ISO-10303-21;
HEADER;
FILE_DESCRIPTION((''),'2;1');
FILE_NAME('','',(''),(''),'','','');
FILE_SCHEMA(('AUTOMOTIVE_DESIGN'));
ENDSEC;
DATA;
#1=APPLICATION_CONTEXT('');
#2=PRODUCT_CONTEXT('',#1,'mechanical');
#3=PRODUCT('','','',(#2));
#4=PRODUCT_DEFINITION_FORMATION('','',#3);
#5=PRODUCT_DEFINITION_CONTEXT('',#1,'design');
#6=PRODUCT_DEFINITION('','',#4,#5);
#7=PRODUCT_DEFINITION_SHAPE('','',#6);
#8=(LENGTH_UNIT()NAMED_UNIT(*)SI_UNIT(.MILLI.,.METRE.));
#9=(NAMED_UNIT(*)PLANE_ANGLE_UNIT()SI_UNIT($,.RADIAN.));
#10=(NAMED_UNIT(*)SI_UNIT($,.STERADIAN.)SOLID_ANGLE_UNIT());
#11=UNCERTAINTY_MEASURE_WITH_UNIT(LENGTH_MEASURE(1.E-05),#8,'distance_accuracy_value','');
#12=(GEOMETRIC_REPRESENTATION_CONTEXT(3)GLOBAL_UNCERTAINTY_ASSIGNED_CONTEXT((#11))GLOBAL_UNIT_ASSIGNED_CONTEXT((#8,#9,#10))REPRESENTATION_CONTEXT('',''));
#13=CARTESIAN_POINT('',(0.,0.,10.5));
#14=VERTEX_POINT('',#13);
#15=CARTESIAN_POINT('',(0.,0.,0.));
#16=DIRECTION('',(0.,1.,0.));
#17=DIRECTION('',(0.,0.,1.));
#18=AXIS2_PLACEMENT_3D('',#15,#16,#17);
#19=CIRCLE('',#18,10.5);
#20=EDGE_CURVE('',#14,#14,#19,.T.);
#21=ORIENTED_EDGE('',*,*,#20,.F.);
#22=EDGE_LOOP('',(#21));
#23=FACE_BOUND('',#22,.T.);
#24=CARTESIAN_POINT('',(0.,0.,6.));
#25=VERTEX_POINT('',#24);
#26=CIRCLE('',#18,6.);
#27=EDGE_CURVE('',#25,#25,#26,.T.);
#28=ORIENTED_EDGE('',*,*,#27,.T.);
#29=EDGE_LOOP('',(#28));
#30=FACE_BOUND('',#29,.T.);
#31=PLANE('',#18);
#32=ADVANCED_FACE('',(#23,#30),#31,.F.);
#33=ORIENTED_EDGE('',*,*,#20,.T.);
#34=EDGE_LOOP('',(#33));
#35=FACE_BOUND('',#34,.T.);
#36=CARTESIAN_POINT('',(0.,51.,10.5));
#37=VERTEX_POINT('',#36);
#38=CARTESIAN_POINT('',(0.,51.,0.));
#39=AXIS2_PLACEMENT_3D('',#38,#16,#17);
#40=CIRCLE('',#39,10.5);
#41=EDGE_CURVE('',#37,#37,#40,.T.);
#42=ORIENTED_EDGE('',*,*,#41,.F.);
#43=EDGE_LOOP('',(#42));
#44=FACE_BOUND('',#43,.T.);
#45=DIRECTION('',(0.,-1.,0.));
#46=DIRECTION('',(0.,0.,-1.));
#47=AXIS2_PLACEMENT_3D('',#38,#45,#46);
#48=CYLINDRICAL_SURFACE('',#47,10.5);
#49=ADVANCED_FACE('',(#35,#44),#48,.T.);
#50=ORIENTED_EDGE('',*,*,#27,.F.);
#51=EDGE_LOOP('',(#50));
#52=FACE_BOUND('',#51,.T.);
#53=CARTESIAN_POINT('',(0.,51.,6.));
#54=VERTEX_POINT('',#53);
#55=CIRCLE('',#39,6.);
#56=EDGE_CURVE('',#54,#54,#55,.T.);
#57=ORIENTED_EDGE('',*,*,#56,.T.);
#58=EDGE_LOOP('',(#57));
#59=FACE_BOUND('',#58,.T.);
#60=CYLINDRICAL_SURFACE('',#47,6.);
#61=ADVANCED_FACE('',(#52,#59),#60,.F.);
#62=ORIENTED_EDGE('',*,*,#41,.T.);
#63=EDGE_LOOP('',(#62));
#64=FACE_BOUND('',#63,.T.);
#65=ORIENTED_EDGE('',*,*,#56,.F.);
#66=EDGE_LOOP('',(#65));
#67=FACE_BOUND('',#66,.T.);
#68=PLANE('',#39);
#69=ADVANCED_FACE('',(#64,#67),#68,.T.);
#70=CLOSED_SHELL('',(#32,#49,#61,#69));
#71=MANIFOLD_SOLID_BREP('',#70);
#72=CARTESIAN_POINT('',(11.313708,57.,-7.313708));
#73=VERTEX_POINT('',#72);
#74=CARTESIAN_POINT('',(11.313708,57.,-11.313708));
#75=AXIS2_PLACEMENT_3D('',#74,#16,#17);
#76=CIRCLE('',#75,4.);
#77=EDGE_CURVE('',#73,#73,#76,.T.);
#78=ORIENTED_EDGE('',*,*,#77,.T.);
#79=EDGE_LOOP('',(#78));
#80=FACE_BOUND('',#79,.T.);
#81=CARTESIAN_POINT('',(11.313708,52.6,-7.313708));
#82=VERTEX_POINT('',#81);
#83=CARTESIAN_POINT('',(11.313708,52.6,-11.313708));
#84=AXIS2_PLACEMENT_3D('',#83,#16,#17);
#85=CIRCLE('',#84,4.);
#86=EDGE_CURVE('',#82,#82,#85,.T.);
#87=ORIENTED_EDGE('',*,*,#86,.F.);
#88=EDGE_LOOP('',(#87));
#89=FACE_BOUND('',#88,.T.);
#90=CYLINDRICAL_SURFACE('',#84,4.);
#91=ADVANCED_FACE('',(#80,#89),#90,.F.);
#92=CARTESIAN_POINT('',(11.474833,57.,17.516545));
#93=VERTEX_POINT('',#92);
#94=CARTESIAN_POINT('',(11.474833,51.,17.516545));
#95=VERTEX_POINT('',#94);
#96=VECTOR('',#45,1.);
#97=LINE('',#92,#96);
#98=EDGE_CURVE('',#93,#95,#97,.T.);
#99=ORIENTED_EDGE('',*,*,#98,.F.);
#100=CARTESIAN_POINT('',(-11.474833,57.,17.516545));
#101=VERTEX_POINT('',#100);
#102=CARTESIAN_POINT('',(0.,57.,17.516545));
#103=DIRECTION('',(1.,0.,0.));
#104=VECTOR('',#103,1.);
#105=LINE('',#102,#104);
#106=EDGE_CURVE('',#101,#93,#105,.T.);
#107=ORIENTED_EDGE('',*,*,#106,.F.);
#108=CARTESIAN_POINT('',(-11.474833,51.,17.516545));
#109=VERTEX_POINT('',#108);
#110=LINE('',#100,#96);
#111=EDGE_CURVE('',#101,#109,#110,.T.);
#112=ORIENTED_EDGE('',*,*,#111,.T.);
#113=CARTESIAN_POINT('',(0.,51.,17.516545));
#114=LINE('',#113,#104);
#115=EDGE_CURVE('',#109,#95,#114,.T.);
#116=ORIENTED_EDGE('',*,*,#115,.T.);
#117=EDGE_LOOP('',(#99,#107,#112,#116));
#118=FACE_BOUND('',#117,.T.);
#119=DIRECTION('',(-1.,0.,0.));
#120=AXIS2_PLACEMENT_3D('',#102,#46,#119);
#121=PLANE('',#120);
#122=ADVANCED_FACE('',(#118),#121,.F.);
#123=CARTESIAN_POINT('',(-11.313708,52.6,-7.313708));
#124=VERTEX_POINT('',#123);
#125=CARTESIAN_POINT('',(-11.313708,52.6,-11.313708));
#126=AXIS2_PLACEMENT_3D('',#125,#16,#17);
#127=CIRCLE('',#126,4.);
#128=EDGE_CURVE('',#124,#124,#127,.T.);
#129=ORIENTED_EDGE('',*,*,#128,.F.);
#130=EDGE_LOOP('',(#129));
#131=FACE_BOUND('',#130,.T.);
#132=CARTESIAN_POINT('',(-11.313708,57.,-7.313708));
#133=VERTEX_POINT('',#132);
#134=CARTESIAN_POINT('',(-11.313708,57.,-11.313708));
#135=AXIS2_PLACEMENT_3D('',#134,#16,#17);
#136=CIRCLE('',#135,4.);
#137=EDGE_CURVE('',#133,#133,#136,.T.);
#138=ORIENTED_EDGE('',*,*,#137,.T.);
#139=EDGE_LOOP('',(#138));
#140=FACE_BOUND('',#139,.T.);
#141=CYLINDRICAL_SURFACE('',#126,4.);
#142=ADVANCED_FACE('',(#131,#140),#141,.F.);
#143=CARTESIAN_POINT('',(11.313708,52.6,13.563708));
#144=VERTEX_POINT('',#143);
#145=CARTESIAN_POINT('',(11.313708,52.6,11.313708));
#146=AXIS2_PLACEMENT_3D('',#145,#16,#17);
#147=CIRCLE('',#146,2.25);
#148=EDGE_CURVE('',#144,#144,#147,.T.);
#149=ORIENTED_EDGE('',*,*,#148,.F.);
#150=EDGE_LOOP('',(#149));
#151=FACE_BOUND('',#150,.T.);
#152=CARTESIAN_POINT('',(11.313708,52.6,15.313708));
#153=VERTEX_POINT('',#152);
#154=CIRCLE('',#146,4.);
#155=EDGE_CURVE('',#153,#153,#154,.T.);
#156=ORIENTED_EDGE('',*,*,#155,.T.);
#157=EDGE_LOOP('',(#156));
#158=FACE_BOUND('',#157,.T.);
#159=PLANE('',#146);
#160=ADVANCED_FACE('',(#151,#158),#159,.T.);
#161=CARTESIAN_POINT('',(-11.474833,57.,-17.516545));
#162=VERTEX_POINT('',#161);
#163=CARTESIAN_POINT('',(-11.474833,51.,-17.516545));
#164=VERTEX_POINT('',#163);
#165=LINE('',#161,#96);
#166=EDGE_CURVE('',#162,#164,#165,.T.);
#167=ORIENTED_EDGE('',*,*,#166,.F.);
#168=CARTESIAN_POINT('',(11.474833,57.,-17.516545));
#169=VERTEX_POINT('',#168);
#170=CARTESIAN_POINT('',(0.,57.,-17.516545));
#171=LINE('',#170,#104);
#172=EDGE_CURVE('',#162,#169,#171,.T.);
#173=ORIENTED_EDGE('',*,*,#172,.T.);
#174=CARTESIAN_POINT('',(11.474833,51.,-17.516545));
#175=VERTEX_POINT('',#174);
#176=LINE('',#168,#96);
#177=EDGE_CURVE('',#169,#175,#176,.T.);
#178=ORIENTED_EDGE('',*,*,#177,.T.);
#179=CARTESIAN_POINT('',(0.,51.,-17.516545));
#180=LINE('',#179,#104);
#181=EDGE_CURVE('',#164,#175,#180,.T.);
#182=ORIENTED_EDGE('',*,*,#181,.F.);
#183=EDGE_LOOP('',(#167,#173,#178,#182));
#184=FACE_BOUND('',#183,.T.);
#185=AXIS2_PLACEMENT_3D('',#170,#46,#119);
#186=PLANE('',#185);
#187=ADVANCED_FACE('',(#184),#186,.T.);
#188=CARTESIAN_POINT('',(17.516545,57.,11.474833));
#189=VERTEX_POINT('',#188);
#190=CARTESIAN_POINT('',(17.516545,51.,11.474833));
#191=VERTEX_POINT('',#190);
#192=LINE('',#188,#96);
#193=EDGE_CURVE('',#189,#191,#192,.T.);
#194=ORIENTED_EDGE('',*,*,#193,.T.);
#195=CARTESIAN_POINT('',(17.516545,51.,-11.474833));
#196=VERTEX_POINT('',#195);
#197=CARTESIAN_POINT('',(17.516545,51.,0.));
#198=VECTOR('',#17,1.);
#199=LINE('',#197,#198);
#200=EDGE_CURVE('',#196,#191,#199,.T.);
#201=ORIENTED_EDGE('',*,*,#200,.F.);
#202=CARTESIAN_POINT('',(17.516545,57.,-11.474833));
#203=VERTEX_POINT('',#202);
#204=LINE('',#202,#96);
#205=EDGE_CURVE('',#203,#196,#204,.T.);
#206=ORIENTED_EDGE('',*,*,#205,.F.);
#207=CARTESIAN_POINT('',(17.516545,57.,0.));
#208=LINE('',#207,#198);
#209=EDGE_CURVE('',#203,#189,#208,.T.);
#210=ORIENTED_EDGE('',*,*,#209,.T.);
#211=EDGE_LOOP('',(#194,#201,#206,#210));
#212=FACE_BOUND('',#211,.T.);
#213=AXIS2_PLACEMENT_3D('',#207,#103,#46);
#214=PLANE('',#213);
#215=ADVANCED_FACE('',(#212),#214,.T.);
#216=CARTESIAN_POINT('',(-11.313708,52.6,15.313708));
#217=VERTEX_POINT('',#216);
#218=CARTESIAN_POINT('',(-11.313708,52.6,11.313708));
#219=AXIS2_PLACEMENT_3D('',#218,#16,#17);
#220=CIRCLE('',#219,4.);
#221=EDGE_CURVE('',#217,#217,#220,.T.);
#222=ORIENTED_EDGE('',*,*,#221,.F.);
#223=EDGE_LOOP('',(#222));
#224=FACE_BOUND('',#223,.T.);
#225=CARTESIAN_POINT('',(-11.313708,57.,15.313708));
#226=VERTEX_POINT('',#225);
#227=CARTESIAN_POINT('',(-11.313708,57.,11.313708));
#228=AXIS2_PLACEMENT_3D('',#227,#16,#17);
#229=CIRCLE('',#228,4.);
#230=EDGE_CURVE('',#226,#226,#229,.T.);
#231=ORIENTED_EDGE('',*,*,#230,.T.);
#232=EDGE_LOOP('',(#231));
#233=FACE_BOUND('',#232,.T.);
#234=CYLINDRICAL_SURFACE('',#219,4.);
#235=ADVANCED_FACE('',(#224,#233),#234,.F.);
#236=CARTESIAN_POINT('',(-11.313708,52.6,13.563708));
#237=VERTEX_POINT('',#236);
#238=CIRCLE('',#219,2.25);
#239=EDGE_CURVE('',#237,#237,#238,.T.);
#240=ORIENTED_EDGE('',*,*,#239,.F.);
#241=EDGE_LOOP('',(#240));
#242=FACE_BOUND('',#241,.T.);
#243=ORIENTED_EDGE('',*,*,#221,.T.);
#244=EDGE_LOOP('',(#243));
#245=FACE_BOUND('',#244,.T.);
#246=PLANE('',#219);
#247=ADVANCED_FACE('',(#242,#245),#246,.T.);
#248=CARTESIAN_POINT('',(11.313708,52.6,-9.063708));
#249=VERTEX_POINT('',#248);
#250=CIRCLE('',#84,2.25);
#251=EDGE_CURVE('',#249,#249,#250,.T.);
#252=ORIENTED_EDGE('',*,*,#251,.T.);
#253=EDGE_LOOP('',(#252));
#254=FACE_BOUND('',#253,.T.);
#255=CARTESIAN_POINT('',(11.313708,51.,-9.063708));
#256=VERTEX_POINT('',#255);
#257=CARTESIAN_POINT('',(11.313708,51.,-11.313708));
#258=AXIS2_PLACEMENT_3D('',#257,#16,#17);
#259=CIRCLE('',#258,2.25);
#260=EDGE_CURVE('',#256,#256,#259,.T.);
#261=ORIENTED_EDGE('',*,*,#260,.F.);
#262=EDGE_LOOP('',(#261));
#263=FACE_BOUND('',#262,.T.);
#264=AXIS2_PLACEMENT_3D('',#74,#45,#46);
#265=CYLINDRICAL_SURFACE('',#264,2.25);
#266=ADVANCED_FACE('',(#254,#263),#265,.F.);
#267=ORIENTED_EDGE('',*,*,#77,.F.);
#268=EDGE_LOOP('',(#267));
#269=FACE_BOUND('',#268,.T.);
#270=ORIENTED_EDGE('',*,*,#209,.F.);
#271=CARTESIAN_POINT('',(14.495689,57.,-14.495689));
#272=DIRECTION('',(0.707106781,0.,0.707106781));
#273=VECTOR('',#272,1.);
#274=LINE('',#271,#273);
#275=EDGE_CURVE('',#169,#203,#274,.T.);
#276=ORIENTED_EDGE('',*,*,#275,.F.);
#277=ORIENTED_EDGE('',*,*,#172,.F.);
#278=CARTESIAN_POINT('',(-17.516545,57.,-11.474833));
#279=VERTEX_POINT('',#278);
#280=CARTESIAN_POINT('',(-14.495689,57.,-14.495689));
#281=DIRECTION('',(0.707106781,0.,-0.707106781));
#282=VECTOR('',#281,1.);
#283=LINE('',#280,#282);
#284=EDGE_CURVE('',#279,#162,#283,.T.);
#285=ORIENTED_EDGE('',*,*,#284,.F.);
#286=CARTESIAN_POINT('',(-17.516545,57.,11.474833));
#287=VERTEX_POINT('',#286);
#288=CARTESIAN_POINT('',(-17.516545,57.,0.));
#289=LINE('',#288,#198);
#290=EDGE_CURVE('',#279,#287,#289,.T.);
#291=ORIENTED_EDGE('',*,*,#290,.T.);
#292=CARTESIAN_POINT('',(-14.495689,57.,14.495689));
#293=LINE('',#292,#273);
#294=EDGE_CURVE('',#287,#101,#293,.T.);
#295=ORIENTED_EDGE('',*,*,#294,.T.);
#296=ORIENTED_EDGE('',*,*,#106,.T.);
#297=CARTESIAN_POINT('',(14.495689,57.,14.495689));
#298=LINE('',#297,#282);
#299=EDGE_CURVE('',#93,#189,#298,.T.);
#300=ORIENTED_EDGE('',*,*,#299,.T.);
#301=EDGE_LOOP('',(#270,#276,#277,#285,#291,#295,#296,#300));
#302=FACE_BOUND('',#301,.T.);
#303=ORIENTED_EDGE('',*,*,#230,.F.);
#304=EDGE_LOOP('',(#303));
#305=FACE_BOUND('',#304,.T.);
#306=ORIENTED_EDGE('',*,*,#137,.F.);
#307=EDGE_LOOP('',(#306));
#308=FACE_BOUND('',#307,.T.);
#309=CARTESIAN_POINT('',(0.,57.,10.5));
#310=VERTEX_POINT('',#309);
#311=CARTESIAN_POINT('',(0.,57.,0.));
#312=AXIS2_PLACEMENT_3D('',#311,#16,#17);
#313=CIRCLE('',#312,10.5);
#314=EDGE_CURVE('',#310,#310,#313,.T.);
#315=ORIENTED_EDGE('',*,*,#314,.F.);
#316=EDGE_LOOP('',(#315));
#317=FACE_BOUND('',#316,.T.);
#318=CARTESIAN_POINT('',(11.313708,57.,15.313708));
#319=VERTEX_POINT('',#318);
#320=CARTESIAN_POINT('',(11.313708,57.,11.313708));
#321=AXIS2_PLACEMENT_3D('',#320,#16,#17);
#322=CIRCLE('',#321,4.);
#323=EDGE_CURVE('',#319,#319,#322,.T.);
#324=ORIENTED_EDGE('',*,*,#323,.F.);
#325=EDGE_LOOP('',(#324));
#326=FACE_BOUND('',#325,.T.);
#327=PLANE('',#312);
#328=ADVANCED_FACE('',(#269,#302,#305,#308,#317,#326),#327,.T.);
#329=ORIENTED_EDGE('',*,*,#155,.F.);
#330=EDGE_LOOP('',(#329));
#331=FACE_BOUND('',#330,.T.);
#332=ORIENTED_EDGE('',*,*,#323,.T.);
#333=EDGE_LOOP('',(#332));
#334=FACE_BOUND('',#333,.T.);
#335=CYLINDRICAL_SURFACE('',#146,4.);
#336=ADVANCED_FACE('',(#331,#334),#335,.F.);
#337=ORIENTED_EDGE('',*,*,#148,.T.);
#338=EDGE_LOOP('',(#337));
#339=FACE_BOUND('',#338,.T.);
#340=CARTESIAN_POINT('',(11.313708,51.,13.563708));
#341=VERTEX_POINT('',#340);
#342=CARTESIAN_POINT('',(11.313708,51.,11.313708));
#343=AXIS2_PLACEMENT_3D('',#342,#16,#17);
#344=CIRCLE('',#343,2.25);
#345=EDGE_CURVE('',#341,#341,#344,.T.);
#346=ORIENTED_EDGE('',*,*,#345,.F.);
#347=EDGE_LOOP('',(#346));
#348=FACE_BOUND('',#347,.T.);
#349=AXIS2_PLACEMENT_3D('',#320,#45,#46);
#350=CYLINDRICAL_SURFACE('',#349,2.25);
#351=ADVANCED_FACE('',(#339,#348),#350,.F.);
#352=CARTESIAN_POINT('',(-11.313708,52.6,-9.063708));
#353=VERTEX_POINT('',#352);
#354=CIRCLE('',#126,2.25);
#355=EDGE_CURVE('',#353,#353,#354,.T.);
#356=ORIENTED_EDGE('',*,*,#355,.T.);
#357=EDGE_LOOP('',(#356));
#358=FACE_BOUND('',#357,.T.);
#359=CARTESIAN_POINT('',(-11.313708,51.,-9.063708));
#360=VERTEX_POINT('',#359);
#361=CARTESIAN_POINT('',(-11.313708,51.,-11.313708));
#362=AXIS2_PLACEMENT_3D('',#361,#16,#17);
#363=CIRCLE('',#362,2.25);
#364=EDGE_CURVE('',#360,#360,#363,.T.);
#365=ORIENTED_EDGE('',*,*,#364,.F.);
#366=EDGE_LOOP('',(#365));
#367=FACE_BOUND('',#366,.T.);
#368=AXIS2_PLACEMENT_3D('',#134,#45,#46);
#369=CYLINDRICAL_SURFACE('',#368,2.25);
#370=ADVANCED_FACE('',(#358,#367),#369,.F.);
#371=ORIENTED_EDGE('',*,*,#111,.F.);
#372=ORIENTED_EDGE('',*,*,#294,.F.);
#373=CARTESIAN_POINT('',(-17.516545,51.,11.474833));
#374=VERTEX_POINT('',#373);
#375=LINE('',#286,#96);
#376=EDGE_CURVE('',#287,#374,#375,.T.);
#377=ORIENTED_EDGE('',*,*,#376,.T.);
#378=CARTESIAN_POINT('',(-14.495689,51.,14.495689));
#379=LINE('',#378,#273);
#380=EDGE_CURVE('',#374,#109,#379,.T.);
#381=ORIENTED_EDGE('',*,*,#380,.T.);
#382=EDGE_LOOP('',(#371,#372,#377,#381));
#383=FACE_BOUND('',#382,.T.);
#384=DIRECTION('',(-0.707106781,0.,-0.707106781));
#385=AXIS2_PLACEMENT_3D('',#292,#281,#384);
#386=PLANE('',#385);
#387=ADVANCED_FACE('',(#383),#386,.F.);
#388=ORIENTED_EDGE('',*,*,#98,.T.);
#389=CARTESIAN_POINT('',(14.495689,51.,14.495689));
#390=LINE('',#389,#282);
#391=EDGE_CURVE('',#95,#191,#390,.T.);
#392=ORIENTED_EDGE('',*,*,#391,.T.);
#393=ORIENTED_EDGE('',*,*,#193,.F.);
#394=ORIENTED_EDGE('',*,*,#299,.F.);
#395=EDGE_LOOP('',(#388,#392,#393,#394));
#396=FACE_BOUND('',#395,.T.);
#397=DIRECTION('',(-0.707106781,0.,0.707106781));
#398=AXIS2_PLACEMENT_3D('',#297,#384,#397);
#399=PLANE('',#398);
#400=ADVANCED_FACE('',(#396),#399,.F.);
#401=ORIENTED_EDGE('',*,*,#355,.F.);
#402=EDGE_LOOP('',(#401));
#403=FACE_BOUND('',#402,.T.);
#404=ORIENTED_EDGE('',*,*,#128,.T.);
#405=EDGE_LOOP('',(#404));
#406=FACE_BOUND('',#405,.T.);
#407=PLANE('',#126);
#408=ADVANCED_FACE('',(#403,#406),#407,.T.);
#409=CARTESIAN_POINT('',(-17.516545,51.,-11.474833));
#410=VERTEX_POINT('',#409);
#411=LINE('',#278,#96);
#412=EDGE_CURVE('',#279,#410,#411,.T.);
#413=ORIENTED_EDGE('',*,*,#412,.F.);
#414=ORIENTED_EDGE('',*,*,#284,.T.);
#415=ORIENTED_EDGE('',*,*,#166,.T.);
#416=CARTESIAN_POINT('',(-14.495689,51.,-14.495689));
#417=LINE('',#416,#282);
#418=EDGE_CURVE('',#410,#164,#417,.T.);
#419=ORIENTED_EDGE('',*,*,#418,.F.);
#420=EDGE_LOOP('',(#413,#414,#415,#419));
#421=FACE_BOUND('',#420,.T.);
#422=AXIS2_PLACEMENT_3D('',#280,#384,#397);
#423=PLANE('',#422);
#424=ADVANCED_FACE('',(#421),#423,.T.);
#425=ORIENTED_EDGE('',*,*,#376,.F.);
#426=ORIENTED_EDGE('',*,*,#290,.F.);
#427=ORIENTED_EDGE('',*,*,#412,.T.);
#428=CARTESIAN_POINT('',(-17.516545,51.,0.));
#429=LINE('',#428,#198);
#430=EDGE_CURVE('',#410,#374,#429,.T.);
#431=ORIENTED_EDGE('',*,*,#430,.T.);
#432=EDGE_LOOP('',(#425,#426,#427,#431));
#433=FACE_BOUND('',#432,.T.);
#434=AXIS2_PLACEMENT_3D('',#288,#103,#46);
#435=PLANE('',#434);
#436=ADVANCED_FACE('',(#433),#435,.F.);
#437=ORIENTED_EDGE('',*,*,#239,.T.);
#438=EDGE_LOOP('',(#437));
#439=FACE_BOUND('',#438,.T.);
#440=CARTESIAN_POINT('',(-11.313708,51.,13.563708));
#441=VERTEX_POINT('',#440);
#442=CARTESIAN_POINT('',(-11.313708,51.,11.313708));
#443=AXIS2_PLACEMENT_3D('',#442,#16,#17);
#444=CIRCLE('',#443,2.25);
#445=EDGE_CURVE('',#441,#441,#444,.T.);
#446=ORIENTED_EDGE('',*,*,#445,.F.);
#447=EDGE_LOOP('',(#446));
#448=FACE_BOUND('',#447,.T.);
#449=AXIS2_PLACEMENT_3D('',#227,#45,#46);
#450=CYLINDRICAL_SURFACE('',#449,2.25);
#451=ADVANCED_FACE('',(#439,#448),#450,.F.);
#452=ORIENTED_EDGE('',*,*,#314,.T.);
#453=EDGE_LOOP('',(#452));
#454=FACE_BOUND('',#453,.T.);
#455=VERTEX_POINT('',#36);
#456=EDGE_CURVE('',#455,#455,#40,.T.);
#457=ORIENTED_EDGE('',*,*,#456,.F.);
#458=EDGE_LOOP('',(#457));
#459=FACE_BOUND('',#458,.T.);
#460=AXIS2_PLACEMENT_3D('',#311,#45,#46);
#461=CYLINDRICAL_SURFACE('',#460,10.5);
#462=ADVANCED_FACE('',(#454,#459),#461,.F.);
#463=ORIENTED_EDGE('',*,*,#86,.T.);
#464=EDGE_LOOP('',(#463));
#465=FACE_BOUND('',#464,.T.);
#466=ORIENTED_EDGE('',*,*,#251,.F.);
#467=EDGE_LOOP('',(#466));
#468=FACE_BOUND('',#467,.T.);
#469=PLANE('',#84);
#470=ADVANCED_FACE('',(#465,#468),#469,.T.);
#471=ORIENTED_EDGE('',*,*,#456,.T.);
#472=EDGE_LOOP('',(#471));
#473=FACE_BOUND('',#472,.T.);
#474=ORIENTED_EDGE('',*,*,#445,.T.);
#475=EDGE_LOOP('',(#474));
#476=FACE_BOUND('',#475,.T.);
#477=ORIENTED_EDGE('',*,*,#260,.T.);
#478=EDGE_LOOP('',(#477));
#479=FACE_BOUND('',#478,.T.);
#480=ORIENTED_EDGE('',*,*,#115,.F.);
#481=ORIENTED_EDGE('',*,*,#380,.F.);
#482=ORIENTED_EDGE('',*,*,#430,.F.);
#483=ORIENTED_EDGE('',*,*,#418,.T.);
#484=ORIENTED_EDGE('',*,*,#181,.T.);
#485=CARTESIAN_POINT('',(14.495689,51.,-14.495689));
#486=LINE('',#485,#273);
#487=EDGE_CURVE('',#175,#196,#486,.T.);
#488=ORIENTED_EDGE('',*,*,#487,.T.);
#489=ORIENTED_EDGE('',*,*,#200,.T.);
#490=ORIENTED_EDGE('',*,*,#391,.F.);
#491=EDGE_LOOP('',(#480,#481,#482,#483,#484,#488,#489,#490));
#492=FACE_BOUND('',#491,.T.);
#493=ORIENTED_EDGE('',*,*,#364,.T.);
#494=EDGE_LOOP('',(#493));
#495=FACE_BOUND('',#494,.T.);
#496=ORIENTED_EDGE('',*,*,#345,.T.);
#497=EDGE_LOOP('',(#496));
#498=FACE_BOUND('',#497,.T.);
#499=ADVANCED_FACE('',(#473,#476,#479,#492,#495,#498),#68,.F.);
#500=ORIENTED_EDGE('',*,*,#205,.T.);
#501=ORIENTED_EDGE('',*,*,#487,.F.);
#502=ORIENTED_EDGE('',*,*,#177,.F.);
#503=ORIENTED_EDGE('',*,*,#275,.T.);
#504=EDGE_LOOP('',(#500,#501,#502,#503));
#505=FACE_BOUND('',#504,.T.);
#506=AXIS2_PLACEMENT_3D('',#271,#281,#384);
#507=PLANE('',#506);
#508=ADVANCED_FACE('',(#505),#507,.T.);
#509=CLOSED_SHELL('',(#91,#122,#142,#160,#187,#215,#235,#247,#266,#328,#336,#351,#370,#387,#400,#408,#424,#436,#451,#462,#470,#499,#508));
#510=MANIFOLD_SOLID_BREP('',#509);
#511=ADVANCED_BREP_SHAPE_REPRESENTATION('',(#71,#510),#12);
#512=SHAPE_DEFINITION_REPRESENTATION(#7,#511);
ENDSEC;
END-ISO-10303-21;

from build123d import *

# Parameters (mm, degrees)
SKETCH1_R           = 10.5
SKETCH1_R_2         = 6
BOSS_EXTRUDE1_DEPTH = 51
SKETCH2_R           = 2.25
SKETCH2_R_2         = 10.5
BOSS_EXTRUDE2_DEPTH = 6
SKETCH3_R           = 4
CUT_EXTRUDE1_DEPTH  = 4.4


with BuildPart() as part:
    # Sketch1 → Boss-Extrude1 (new body)
    with BuildSketch(Plane(origin=(0, 0, 0), x_dir=(1, 0, 0), z_dir=(0, 1, 0))):
        with Locations(Location((0, 0, 0), (0, 0, 270))):
            Circle(SKETCH1_R)
        with Locations(Location((0, 0, 0), (0, 0, 270))):
            Circle(SKETCH1_R_2, mode=Mode.SUBTRACT)
    extrude(amount=BOSS_EXTRUDE1_DEPTH)


with BuildPart() as body_2:
    # Sketch2 → Boss-Extrude2 (new body)
    with BuildSketch(Plane(origin=(0, 51, 0), x_dir=(1, 0, 0), z_dir=(0, 1, 0))):
        Polygon((-17.516545186, 11.474832843), (-17.516545186, -11.474832843), (-11.474832843, -17.516545186), (11.474832843, -17.516545186), (17.516545186, -11.474832843), (17.516545186, 11.474832843), (11.474832843, 17.516545186), (-11.474832843, 17.516545186), align=None)
        with Locations(Location((11.313708499, 11.313708499, 0), (0, 0, 270))):
            Circle(SKETCH2_R, mode=Mode.SUBTRACT)
        with Locations(Location((-11.313708499, 11.313708499, 0), (0, 0, 270))):
            Circle(SKETCH2_R, mode=Mode.SUBTRACT)
        with Locations(Location((-11.313708499, -11.313708499, 0), (0, 0, 270))):
            Circle(SKETCH2_R, mode=Mode.SUBTRACT)
        with Locations(Location((11.313708499, -11.313708499, 0), (0, 0, 270))):
            Circle(SKETCH2_R, mode=Mode.SUBTRACT)
        with Locations(Location((0, 0, 0), (0, 0, 270))):
            Circle(SKETCH2_R_2, mode=Mode.SUBTRACT)
    extrude(amount=BOSS_EXTRUDE2_DEPTH)

    # Sketch3 → Cut-Extrude1 (cut)
    with BuildSketch(Plane(origin=(0, 57, 0), x_dir=(1, 0, 0), z_dir=(0, 1, 0))):
        with Locations(Location((-11.313708499, 11.313708499, 0), (0, 0, 270))):
            Circle(SKETCH3_R)
        with Locations(Location((-11.313708499, -11.313708499, 0), (0, 0, 270))):
            Circle(SKETCH3_R)
        with Locations(Location((11.313708499, -11.313708499, 0), (0, 0, 270))):
            Circle(SKETCH3_R)
        with Locations(Location((11.313708499, 11.313708499, 0), (0, 0, 270))):
            Circle(SKETCH3_R)
    extrude(amount=-CUT_EXTRUDE1_DEPTH, mode=Mode.SUBTRACT)


solid = Compound([part.part, body_2.part])
